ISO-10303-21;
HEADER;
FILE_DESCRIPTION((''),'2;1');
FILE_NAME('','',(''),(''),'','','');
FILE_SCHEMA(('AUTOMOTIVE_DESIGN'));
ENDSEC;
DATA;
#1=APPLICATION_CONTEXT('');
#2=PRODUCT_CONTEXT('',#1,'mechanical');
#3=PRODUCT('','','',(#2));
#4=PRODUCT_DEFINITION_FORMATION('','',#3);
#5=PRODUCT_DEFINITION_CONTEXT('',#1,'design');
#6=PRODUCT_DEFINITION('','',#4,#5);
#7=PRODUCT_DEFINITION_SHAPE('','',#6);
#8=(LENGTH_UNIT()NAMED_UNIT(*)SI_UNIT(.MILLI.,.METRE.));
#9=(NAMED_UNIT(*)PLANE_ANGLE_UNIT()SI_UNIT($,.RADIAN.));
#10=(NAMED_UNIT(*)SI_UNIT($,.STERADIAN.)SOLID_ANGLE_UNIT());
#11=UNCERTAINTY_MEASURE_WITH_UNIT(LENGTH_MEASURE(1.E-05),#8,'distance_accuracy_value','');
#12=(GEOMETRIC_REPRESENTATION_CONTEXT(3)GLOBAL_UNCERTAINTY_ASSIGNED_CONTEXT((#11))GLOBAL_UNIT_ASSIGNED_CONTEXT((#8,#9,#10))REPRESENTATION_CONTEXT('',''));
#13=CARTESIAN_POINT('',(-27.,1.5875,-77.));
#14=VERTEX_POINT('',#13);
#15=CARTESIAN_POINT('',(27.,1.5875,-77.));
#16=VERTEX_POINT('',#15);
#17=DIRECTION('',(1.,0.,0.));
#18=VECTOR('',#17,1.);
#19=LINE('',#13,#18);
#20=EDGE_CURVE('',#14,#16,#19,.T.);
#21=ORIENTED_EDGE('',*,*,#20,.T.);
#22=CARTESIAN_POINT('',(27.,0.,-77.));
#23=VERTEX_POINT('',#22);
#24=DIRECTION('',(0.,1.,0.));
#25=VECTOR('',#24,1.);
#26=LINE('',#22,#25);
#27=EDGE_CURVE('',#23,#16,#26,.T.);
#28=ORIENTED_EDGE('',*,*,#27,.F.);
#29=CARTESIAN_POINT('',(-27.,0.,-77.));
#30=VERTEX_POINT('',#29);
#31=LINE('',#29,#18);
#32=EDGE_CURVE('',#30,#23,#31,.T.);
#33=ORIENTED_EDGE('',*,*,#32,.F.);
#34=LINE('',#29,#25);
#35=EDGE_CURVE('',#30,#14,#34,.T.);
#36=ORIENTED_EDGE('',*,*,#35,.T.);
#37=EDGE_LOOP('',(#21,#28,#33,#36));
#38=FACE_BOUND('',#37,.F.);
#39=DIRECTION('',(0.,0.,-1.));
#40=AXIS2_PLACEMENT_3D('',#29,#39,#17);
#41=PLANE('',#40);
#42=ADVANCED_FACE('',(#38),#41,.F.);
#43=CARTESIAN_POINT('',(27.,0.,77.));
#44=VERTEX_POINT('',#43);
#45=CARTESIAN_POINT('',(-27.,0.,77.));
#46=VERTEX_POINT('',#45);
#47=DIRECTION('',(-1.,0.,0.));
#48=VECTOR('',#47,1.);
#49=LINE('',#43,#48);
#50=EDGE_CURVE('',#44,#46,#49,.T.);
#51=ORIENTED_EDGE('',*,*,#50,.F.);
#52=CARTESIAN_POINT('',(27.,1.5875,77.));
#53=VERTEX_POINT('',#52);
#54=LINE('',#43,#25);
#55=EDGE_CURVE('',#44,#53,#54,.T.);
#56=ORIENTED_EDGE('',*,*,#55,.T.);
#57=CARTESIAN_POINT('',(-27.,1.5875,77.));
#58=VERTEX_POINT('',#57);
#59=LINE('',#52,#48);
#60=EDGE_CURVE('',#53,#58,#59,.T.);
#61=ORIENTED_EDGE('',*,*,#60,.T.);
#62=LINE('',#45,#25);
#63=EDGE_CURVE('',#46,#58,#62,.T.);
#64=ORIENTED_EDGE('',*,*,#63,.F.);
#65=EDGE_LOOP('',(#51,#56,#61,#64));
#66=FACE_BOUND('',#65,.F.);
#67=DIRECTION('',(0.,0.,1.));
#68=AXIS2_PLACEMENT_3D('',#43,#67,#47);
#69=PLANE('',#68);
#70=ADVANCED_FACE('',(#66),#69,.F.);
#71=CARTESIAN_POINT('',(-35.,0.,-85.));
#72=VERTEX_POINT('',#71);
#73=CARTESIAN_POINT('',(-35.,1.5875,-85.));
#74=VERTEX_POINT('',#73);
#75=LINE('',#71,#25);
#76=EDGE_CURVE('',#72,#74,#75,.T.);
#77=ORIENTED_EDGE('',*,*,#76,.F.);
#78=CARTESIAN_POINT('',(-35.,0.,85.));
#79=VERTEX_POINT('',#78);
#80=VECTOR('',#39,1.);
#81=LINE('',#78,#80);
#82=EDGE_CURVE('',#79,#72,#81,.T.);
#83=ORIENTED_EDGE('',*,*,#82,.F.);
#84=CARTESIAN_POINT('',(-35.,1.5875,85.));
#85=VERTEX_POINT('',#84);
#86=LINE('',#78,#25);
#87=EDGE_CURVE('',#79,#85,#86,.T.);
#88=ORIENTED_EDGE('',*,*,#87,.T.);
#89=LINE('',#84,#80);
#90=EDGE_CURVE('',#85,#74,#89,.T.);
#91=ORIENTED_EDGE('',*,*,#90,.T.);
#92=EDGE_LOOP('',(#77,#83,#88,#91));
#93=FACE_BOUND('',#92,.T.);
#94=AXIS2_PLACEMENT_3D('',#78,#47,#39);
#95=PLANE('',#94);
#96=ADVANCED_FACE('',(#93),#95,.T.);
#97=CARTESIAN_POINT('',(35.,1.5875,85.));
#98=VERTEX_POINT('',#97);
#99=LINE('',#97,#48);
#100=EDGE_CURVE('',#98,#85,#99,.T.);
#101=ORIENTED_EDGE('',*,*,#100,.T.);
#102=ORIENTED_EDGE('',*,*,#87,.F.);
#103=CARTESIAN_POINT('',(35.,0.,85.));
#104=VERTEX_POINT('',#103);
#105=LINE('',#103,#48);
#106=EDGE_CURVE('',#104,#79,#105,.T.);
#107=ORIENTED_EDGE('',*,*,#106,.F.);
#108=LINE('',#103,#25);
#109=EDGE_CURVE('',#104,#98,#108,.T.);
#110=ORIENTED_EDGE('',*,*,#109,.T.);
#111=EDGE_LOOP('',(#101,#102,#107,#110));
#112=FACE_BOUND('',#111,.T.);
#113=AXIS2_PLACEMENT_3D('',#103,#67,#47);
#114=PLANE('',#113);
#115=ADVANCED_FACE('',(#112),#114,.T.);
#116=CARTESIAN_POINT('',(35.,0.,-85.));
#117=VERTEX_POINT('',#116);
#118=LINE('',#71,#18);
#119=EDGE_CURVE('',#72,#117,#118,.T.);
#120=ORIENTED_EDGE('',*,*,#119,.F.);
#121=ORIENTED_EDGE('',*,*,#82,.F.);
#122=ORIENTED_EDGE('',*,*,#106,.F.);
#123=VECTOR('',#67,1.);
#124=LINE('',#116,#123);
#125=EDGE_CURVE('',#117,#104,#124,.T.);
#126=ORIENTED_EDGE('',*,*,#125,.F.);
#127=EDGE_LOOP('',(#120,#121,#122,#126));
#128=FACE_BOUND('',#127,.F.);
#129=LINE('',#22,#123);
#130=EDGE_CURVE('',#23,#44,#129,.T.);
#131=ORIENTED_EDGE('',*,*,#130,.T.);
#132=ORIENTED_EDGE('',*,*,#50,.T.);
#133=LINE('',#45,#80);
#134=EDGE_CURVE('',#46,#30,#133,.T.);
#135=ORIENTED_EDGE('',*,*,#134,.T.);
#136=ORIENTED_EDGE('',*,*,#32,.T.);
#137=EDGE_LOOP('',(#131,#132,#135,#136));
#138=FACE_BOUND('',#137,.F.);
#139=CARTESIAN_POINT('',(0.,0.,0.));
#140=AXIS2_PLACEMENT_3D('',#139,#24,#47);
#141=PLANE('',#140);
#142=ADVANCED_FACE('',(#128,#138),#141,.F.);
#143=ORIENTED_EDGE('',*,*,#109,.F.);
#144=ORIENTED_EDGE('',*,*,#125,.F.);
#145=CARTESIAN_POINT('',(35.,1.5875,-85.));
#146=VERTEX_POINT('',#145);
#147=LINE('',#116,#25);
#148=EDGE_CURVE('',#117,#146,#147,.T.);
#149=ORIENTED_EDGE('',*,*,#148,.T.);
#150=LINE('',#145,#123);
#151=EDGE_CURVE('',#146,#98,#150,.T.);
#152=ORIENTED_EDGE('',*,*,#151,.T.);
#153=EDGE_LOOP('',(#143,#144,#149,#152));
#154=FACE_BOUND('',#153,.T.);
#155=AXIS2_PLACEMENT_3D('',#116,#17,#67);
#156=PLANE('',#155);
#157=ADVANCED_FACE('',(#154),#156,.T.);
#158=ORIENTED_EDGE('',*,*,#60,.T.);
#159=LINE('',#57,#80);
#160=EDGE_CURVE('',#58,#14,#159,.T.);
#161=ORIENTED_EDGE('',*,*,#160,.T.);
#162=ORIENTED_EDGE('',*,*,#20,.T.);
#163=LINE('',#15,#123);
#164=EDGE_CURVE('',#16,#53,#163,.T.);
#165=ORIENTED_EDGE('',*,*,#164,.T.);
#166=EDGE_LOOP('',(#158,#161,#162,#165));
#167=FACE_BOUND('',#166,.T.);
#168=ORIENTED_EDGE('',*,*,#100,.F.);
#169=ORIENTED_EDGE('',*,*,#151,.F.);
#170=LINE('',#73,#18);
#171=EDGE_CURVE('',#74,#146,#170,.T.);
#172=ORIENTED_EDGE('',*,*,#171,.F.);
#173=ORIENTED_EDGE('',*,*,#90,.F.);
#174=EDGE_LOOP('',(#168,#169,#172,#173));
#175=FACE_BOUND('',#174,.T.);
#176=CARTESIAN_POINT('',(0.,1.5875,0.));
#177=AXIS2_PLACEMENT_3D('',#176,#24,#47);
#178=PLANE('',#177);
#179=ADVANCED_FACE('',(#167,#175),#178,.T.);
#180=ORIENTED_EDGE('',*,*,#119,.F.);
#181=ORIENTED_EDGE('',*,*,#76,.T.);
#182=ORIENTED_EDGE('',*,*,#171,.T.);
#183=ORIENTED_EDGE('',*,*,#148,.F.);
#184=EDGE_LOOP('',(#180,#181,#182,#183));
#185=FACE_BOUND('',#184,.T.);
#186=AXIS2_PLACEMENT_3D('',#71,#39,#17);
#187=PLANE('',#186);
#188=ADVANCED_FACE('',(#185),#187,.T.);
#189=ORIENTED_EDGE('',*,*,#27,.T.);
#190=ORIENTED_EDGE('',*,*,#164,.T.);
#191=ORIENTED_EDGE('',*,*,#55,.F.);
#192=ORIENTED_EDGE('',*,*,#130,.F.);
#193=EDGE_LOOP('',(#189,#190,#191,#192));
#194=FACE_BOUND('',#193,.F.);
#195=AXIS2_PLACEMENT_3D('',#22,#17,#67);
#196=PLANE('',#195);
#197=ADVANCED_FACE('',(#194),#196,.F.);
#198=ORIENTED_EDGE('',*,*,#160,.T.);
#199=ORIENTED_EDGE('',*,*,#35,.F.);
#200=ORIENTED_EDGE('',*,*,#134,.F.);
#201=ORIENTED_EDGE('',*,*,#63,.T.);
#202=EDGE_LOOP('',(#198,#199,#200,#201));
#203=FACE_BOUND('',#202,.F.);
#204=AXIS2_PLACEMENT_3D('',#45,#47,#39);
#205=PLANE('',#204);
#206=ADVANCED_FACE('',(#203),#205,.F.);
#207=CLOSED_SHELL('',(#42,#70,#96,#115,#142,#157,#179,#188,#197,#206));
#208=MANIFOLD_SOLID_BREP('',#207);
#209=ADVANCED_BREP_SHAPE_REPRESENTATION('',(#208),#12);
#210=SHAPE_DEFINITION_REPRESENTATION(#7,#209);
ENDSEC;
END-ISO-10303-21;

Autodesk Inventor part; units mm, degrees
ref_plane "YZ Plane" through (0, 0, 0) normal (1, 0, 0) x (0, 1, 0)
ref_plane "XZ Plane" through (0, 0, 0) normal (0, 1, 0) x (-1, 0, 0)
ref_plane "XY Plane" through (0, 0, 0) normal (0, 0, 1) x (1, 0, 0)
sketch "Sketch1" plane through (0, 0, 0) normal (0, 1, 0) x (-1, 0, 0)
  line L0 (-27, 77) -> (27, 77)
  line L1 (27, 77) -> (27, -77)
  line L2 (27, -77) -> (-27, -77)
  line L3 (-27, -77) -> (-27, 77)
  line L4 (-27, 77) -> (27, -77) construction
  line L5 (27, 77) -> (-27, -77) construction
  line L6 (-35, 85) -> (35, 85)
  line L7 (35, 85) -> (35, -85)
  line L8 (35, -85) -> (-35, -85)
  line L9 (-35, -85) -> (-35, 85)
  line L10 (-35, 85) -> (35, -85) construction
  line L11 (35, 85) -> (-35, -85) construction
  point P0 (0, 0)
  point P1 (0, 0)
  dimension "d0" = 8
  dimension "d1" = 8
  dimension "d2" = 70
  dimension "d3" = 170
extrude "Extrusion1" add sketch "Sketch1" along normal blind 1.5875
equation "\"d1\" = d0"
properties part number "case_top_cover_sheet" material "Rubber, Black"
